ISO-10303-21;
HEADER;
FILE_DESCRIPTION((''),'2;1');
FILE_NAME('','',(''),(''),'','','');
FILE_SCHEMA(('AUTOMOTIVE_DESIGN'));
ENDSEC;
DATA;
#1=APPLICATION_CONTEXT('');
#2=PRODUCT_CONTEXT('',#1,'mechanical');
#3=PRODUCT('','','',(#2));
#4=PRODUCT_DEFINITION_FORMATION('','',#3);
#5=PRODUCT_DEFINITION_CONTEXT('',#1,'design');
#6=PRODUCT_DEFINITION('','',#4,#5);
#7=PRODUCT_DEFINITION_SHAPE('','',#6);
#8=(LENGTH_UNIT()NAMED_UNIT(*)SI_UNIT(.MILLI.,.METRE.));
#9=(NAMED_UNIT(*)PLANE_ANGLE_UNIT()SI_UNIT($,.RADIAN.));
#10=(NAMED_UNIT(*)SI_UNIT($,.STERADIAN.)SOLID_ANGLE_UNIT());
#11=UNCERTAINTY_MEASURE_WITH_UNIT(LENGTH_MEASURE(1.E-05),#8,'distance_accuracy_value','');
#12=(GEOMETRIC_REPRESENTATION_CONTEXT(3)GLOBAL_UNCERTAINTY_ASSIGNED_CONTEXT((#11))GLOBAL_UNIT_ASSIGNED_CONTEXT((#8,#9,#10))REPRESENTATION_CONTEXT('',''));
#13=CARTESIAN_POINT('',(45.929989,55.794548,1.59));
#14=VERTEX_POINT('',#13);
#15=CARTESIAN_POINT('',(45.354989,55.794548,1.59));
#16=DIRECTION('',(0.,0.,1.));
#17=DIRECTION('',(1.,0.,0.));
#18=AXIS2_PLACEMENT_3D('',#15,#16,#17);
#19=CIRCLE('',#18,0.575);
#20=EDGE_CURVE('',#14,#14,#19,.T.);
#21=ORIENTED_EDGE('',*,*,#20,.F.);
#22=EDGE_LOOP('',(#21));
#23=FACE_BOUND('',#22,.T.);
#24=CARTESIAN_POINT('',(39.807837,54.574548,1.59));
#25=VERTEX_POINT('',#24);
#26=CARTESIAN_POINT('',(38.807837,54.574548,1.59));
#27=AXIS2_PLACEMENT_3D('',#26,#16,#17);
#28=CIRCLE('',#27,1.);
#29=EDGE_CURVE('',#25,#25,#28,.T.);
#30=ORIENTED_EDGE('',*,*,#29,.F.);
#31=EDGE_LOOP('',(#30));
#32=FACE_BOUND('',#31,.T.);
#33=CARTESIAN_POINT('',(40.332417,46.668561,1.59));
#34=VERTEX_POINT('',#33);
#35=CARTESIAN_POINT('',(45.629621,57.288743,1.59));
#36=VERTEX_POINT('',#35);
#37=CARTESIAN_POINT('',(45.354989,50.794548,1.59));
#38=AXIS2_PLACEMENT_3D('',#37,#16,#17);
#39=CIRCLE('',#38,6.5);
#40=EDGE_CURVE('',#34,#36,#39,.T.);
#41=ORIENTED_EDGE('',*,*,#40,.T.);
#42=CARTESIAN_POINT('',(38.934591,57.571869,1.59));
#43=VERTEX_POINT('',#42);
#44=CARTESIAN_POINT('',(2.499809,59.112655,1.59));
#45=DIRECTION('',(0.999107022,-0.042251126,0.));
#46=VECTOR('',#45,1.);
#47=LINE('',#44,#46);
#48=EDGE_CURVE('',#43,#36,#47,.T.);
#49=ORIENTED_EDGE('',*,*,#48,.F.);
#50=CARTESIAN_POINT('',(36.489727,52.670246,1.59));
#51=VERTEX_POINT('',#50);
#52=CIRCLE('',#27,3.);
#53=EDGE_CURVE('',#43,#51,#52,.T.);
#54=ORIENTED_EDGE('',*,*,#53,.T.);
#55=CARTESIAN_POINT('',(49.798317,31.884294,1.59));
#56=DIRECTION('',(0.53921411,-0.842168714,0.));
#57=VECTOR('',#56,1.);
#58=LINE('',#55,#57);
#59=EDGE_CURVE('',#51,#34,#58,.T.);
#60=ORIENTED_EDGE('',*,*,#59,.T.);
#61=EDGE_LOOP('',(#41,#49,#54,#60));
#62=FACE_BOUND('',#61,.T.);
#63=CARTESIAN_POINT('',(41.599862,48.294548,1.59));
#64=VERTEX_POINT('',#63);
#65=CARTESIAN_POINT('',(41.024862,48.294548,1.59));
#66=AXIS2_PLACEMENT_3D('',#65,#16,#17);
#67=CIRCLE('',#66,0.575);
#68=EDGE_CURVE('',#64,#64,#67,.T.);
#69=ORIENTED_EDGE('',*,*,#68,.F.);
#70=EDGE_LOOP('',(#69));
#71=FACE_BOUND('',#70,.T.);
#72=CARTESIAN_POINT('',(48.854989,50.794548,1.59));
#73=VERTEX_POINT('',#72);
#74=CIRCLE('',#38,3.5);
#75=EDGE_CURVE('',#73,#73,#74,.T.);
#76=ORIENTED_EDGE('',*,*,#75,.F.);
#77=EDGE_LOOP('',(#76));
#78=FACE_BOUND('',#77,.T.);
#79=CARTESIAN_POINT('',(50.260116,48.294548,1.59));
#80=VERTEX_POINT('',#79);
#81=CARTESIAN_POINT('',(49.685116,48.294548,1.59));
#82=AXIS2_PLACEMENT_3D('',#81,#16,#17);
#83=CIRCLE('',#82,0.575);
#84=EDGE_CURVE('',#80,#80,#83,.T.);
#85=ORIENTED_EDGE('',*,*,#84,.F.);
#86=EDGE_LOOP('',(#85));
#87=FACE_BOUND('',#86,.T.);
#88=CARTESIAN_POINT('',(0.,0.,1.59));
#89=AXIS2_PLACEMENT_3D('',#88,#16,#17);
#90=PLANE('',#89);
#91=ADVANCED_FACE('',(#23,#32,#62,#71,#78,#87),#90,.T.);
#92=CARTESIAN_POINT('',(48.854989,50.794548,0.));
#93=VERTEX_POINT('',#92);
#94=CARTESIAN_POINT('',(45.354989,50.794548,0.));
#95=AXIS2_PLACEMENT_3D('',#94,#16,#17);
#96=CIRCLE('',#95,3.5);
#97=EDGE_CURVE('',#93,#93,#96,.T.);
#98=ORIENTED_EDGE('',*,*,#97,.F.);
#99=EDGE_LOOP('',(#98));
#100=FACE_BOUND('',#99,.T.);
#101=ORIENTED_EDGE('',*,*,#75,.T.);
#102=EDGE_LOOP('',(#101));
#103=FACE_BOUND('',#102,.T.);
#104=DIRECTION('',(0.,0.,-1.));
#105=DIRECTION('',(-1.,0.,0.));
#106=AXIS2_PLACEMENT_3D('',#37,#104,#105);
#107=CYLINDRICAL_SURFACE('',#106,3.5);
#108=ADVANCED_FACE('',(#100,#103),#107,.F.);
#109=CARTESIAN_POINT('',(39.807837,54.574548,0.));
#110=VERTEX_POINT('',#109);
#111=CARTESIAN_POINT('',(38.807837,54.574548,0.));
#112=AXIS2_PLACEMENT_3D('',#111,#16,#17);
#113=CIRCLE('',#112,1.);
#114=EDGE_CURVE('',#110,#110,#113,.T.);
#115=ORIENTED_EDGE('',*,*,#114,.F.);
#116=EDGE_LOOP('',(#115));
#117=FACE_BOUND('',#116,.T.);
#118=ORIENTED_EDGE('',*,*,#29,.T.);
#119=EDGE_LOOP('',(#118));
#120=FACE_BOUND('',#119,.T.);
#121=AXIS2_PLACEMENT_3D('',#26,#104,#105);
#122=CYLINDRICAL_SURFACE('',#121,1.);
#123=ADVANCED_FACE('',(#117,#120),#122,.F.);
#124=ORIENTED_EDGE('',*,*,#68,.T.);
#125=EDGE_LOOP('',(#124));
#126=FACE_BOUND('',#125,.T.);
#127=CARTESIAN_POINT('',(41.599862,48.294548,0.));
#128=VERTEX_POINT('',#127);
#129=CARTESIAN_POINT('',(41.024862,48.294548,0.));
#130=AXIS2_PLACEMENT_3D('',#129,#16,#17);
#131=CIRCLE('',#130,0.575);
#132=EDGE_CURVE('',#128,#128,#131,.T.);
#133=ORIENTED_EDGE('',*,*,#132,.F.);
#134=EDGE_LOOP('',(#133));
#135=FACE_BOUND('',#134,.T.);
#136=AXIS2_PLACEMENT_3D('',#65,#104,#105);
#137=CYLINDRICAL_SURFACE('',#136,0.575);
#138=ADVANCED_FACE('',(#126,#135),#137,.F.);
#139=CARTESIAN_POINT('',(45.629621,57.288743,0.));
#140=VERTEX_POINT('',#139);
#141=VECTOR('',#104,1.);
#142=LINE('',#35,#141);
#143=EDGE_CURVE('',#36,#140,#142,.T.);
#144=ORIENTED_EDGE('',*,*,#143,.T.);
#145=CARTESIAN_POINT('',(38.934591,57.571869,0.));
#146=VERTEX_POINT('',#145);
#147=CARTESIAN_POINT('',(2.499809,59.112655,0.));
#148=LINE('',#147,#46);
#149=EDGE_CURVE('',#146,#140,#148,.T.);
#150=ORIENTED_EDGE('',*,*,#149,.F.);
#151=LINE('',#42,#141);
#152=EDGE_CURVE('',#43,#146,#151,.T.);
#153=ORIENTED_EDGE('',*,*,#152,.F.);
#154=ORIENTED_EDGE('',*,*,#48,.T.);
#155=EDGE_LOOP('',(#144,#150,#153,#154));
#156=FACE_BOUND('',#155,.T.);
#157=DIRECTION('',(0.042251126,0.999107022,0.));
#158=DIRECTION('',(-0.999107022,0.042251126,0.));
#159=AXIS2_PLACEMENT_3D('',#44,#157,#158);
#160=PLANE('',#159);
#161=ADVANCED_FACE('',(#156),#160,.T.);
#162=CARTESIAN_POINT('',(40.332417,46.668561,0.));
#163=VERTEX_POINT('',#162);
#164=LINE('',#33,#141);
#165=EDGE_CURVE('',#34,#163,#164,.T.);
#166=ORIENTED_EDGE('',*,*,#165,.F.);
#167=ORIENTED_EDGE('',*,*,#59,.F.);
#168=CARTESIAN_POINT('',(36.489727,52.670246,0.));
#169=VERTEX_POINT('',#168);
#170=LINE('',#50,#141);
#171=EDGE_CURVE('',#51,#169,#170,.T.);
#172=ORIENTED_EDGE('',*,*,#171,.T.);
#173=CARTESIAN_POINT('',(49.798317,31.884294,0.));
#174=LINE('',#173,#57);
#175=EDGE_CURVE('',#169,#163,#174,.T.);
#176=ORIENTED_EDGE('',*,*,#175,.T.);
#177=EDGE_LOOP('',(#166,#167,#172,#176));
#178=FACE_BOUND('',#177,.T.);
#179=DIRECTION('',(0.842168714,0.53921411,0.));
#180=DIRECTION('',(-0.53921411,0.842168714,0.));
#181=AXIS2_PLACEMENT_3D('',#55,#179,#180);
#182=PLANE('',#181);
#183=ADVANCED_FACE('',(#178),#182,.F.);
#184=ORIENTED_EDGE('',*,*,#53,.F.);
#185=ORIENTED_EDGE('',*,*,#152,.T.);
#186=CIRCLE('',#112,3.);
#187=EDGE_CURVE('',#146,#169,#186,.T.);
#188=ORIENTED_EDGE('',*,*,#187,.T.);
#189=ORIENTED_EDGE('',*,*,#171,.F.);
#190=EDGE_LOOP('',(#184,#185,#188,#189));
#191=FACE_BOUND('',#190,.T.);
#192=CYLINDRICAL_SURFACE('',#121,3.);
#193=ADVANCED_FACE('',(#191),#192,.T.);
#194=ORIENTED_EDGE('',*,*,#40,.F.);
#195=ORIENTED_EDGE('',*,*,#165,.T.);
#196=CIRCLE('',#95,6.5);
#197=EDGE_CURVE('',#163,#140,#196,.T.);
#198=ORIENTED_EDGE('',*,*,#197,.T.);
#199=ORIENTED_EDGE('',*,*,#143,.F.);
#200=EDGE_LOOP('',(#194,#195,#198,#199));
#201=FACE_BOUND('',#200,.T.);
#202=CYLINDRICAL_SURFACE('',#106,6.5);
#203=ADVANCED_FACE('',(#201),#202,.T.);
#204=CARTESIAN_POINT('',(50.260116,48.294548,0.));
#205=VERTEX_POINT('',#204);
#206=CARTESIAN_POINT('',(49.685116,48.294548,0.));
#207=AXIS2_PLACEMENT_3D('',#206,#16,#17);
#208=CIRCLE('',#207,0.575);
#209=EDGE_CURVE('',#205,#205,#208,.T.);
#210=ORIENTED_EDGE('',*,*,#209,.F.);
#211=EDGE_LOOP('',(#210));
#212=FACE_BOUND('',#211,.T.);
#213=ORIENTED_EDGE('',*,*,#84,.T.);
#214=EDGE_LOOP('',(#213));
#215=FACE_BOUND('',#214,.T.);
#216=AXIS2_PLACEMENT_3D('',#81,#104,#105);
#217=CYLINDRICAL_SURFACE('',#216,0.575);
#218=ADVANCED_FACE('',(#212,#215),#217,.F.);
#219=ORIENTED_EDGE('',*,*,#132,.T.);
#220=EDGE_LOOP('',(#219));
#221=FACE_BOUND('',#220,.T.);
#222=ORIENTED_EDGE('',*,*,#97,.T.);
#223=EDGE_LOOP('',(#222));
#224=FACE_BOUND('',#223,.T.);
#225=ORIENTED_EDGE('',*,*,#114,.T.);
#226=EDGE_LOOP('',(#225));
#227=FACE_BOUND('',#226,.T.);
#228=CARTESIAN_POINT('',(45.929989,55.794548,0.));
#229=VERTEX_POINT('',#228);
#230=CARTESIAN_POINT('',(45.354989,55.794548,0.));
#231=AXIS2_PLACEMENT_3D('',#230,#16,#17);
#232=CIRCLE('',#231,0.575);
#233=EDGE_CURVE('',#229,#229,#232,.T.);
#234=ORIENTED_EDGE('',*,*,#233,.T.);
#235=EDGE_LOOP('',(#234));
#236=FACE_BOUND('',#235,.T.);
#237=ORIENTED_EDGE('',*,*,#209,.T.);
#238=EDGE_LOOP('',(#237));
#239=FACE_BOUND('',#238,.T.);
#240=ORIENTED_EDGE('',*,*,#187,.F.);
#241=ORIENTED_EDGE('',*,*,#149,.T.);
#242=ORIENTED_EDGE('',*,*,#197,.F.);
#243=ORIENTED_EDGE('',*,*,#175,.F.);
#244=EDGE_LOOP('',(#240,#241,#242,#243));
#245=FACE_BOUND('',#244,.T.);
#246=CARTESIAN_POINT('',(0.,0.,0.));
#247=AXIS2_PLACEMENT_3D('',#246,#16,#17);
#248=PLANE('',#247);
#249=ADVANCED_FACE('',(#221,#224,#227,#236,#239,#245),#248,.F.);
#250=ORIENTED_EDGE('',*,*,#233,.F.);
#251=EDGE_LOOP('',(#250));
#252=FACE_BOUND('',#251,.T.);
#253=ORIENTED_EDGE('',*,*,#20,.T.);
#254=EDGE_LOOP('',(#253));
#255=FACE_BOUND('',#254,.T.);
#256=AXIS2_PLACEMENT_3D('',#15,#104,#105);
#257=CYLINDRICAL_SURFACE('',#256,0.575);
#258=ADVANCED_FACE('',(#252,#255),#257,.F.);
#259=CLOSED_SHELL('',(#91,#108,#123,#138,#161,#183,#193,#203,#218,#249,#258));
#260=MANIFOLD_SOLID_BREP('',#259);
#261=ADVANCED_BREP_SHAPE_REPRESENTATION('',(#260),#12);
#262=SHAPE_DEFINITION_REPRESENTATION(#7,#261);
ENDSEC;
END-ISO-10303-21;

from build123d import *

# Parameters (mm, degrees)
SKETCH1_R           = 3.5
SKETCH1_R_2         = 0.575
SKETCH1_R_3         = 1
BOSS_EXTRUDE1_DEPTH = 1.59


with BuildPart() as part:
    # Sketch1 → Boss-Extrude1 (new body)
    with BuildSketch(Plane.XY):
        with BuildLine():
            Line((38.934590504, 57.571868893), (45.629621497, 57.288743472))
            ThreePointArc((45.629621497, 57.288743472), (51.171586425, 47.893307318), (40.332417108, 46.668560697))
            Line((40.332417108, 46.668560697), (36.48972694, 52.670246074))
            ThreePointArc((36.48972694, 52.670246074), (36.123253783, 55.913581906), (38.934590504, 57.571868893))
        make_face()
        with Locations((45.35498918, 50.794547826)):
            Circle(SKETCH1_R, mode=Mode.SUBTRACT)
        with Locations((45.35498918, 55.794547826)):
            Circle(SKETCH1_R_2, mode=Mode.SUBTRACT)
        with Locations((49.685116199, 48.294547826)):
            Circle(SKETCH1_R_2, mode=Mode.SUBTRACT)
        with Locations((41.024862161, 48.294547826)):
            Circle(SKETCH1_R_2, mode=Mode.SUBTRACT)
        with Locations((38.807837127, 54.574547826)):
            Circle(SKETCH1_R_3, mode=Mode.SUBTRACT)
    extrude(amount=BOSS_EXTRUDE1_DEPTH)


solid = part.part
